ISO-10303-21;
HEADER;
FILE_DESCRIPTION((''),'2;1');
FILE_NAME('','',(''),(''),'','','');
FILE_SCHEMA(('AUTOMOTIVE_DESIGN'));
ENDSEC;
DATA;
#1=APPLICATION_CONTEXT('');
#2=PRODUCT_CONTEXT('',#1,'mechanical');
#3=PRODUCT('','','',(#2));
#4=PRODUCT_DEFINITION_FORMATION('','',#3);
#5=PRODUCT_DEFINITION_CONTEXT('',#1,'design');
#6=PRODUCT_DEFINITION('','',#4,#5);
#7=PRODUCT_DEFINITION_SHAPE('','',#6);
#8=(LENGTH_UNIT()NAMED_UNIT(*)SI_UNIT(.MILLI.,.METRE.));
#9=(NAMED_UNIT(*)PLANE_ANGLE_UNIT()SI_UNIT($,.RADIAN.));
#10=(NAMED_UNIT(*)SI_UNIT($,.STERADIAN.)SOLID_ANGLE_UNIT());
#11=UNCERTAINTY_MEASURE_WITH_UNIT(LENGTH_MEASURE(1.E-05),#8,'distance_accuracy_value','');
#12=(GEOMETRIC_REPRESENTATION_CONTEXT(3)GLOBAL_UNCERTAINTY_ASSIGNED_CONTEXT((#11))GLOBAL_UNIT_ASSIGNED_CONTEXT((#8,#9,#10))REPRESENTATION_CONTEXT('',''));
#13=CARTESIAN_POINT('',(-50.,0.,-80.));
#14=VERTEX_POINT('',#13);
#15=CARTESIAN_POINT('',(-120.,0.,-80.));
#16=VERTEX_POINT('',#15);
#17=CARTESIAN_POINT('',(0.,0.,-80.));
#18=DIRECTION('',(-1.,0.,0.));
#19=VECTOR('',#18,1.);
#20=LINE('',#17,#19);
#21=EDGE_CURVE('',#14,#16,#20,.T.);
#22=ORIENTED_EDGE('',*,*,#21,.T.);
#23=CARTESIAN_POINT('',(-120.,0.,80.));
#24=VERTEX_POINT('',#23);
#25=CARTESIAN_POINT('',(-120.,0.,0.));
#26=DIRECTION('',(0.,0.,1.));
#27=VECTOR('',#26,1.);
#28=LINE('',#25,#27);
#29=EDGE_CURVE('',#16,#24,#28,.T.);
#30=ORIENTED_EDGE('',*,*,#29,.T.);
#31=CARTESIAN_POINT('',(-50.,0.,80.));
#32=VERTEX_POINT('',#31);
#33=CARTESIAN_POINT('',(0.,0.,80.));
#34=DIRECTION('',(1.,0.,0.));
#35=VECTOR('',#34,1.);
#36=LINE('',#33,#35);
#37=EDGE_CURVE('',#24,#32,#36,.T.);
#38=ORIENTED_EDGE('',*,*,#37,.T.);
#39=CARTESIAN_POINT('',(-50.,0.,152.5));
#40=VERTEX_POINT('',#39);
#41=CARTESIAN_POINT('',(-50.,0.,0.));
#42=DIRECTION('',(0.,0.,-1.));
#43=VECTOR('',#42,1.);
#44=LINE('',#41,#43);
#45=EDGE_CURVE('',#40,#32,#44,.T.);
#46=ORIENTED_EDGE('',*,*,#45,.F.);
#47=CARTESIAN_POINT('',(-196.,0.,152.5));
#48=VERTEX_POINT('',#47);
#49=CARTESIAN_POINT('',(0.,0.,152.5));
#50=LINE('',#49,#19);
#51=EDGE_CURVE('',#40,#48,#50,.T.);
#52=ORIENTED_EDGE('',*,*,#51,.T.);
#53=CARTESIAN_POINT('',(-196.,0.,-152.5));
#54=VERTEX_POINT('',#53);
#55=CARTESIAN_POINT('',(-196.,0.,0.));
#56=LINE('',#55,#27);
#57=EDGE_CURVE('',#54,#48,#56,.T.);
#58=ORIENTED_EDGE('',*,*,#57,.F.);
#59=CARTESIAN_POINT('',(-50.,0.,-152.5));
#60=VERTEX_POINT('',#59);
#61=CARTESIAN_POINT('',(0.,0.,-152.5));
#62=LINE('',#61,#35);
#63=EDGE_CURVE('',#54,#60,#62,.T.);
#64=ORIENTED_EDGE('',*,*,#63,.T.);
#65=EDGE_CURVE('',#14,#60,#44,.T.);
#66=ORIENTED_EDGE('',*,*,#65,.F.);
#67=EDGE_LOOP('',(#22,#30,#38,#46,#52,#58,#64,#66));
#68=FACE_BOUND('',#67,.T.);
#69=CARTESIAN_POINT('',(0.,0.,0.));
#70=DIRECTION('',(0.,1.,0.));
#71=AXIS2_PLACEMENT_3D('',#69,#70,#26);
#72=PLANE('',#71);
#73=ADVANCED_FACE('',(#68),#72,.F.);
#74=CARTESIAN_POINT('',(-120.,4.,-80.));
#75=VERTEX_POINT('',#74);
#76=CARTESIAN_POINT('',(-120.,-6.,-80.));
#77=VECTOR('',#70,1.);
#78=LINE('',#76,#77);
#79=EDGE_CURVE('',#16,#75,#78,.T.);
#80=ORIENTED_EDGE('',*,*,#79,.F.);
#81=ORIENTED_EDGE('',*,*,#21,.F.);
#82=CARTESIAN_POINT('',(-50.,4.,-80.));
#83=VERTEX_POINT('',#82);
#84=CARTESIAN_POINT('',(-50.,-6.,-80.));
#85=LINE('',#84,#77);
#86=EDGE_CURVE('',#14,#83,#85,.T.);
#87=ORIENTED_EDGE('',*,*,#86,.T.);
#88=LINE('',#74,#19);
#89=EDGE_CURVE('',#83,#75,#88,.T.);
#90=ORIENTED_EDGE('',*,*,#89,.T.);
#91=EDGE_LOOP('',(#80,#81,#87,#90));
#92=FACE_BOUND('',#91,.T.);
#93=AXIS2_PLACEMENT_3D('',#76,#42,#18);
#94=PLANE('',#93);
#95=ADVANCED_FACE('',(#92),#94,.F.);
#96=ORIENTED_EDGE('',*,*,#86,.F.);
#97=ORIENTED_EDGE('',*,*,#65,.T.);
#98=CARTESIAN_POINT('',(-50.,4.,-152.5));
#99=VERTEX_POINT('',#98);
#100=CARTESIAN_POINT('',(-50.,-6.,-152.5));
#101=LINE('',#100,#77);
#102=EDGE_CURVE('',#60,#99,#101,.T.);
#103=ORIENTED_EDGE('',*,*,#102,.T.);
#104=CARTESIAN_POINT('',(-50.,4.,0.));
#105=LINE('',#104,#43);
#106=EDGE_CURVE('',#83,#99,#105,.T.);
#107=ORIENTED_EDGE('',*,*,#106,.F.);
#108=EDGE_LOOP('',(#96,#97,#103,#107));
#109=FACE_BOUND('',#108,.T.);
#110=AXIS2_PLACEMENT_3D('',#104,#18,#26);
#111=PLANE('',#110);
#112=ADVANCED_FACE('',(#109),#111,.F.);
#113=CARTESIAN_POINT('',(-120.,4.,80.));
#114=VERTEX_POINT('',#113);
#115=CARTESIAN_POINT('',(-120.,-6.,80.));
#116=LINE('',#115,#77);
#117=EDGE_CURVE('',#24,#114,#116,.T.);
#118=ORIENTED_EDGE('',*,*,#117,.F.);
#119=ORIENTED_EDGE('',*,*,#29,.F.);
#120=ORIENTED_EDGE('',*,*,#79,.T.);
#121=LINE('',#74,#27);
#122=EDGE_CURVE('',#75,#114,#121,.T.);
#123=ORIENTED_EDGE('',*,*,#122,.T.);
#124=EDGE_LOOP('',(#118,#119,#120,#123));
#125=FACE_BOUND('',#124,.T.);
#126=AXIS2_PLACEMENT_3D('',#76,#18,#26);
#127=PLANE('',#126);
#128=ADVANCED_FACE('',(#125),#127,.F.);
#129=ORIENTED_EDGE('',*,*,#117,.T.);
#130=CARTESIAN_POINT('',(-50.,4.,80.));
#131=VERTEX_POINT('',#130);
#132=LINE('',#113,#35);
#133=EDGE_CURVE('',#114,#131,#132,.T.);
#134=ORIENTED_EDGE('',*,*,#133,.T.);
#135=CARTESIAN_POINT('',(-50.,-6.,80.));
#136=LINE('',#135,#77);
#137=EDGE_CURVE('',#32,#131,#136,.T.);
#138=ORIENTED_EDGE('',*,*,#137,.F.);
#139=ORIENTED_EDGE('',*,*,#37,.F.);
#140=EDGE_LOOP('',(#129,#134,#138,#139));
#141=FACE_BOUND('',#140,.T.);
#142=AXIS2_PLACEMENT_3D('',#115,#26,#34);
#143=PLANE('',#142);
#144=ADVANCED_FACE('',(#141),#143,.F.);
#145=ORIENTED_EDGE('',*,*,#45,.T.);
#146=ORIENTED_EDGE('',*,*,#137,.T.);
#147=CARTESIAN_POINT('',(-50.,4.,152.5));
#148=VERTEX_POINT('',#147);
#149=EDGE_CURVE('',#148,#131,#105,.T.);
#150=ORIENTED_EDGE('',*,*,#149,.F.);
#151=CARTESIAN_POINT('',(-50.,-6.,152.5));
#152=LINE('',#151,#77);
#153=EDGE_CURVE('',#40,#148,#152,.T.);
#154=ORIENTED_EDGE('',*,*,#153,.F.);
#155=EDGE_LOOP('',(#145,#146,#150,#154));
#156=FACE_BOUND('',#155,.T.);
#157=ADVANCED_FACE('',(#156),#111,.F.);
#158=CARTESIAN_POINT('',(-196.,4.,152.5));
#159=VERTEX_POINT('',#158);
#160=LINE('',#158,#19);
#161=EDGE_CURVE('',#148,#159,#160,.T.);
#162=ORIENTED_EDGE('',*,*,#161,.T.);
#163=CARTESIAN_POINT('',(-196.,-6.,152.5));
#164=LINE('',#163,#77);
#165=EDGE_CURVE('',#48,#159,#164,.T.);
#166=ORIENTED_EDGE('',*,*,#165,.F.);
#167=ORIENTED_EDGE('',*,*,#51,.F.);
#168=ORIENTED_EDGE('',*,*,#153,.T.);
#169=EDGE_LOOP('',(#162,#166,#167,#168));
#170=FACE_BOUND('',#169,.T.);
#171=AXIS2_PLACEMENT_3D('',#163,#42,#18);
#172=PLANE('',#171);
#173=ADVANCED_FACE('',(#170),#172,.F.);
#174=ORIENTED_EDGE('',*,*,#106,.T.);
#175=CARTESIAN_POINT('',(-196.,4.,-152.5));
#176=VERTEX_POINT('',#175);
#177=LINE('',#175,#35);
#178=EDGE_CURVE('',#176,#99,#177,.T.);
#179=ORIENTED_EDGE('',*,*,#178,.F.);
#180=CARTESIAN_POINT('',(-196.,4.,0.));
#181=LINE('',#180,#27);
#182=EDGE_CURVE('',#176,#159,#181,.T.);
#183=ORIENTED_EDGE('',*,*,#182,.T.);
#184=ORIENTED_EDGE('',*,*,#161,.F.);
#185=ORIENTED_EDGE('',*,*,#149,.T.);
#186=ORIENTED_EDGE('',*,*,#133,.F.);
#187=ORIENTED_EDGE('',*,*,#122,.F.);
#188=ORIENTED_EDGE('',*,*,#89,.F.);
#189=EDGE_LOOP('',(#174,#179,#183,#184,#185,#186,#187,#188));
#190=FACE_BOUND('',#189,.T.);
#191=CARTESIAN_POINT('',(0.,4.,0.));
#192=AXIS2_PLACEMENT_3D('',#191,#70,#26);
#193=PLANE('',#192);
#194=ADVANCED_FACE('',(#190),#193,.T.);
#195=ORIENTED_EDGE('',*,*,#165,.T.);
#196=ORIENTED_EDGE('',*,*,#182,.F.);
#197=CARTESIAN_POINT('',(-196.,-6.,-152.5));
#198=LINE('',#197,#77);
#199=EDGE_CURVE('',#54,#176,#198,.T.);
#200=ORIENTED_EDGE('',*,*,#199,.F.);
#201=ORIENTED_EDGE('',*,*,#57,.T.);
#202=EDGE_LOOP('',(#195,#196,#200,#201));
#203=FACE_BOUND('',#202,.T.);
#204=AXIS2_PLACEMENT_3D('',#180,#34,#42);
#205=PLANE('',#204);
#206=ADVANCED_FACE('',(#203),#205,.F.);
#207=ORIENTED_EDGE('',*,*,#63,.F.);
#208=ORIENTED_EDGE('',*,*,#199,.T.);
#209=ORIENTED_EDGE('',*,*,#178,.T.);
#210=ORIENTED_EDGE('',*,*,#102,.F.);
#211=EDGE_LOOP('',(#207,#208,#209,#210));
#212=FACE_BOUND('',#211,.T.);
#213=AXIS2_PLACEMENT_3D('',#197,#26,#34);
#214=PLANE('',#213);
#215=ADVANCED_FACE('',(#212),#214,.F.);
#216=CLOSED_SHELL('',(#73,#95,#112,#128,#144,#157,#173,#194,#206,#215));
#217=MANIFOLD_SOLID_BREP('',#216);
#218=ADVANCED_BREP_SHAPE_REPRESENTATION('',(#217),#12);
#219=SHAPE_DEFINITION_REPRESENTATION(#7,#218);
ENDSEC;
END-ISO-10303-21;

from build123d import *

# Parameters (mm, degrees)
CROQUIS1_W              = 146
CROQUIS1_H              = 310
SALIENTE_EXTRUIR1_DEPTH = 4
CROQUIS2_W              = 146
CROQUIS2_H              = 2.5
CORTAR_EXTRUIR1_DEPTH   = 10
CROQUIS3_W              = 70
CROQUIS3_H              = 160
CORTAR_EXTRUIR2_DEPTH   = 10


with BuildPart() as part:
    # Croquis1 → Saliente-Extruir1 (new body)
    with BuildSketch(Plane(origin=(0, 0, 0), x_dir=(1, 0, 0), z_dir=(0, 1, 0))):
        with Locations((-123, 0)):
            Rectangle(CROQUIS1_W, CROQUIS1_H)
    extrude(amount=SALIENTE_EXTRUIR1_DEPTH)

    # Croquis2 → Cortar-Extruir1 (cut)
    with BuildSketch(Plane(origin=(0, 4, 0), x_dir=(1, 0, 0), z_dir=(0, 1, 0))):
        with Locations((-123, 153.75)):
            Rectangle(CROQUIS2_W, CROQUIS2_H)
        with Locations((-123, -153.75)):
            Rectangle(CROQUIS2_W, CROQUIS2_H)
    extrude(amount=-CORTAR_EXTRUIR1_DEPTH, mode=Mode.SUBTRACT)

    # Croquis3 → Cortar-Extruir2 (cut)
    with BuildSketch(Plane(origin=(0, 4, 0), x_dir=(1, 0, 0), z_dir=(0, 1, 0))):
        with Locations((-85, 0)):
            Rectangle(CROQUIS3_W, CROQUIS3_H)
    extrude(amount=-CORTAR_EXTRUIR2_DEPTH, mode=Mode.SUBTRACT)


solid = part.part
